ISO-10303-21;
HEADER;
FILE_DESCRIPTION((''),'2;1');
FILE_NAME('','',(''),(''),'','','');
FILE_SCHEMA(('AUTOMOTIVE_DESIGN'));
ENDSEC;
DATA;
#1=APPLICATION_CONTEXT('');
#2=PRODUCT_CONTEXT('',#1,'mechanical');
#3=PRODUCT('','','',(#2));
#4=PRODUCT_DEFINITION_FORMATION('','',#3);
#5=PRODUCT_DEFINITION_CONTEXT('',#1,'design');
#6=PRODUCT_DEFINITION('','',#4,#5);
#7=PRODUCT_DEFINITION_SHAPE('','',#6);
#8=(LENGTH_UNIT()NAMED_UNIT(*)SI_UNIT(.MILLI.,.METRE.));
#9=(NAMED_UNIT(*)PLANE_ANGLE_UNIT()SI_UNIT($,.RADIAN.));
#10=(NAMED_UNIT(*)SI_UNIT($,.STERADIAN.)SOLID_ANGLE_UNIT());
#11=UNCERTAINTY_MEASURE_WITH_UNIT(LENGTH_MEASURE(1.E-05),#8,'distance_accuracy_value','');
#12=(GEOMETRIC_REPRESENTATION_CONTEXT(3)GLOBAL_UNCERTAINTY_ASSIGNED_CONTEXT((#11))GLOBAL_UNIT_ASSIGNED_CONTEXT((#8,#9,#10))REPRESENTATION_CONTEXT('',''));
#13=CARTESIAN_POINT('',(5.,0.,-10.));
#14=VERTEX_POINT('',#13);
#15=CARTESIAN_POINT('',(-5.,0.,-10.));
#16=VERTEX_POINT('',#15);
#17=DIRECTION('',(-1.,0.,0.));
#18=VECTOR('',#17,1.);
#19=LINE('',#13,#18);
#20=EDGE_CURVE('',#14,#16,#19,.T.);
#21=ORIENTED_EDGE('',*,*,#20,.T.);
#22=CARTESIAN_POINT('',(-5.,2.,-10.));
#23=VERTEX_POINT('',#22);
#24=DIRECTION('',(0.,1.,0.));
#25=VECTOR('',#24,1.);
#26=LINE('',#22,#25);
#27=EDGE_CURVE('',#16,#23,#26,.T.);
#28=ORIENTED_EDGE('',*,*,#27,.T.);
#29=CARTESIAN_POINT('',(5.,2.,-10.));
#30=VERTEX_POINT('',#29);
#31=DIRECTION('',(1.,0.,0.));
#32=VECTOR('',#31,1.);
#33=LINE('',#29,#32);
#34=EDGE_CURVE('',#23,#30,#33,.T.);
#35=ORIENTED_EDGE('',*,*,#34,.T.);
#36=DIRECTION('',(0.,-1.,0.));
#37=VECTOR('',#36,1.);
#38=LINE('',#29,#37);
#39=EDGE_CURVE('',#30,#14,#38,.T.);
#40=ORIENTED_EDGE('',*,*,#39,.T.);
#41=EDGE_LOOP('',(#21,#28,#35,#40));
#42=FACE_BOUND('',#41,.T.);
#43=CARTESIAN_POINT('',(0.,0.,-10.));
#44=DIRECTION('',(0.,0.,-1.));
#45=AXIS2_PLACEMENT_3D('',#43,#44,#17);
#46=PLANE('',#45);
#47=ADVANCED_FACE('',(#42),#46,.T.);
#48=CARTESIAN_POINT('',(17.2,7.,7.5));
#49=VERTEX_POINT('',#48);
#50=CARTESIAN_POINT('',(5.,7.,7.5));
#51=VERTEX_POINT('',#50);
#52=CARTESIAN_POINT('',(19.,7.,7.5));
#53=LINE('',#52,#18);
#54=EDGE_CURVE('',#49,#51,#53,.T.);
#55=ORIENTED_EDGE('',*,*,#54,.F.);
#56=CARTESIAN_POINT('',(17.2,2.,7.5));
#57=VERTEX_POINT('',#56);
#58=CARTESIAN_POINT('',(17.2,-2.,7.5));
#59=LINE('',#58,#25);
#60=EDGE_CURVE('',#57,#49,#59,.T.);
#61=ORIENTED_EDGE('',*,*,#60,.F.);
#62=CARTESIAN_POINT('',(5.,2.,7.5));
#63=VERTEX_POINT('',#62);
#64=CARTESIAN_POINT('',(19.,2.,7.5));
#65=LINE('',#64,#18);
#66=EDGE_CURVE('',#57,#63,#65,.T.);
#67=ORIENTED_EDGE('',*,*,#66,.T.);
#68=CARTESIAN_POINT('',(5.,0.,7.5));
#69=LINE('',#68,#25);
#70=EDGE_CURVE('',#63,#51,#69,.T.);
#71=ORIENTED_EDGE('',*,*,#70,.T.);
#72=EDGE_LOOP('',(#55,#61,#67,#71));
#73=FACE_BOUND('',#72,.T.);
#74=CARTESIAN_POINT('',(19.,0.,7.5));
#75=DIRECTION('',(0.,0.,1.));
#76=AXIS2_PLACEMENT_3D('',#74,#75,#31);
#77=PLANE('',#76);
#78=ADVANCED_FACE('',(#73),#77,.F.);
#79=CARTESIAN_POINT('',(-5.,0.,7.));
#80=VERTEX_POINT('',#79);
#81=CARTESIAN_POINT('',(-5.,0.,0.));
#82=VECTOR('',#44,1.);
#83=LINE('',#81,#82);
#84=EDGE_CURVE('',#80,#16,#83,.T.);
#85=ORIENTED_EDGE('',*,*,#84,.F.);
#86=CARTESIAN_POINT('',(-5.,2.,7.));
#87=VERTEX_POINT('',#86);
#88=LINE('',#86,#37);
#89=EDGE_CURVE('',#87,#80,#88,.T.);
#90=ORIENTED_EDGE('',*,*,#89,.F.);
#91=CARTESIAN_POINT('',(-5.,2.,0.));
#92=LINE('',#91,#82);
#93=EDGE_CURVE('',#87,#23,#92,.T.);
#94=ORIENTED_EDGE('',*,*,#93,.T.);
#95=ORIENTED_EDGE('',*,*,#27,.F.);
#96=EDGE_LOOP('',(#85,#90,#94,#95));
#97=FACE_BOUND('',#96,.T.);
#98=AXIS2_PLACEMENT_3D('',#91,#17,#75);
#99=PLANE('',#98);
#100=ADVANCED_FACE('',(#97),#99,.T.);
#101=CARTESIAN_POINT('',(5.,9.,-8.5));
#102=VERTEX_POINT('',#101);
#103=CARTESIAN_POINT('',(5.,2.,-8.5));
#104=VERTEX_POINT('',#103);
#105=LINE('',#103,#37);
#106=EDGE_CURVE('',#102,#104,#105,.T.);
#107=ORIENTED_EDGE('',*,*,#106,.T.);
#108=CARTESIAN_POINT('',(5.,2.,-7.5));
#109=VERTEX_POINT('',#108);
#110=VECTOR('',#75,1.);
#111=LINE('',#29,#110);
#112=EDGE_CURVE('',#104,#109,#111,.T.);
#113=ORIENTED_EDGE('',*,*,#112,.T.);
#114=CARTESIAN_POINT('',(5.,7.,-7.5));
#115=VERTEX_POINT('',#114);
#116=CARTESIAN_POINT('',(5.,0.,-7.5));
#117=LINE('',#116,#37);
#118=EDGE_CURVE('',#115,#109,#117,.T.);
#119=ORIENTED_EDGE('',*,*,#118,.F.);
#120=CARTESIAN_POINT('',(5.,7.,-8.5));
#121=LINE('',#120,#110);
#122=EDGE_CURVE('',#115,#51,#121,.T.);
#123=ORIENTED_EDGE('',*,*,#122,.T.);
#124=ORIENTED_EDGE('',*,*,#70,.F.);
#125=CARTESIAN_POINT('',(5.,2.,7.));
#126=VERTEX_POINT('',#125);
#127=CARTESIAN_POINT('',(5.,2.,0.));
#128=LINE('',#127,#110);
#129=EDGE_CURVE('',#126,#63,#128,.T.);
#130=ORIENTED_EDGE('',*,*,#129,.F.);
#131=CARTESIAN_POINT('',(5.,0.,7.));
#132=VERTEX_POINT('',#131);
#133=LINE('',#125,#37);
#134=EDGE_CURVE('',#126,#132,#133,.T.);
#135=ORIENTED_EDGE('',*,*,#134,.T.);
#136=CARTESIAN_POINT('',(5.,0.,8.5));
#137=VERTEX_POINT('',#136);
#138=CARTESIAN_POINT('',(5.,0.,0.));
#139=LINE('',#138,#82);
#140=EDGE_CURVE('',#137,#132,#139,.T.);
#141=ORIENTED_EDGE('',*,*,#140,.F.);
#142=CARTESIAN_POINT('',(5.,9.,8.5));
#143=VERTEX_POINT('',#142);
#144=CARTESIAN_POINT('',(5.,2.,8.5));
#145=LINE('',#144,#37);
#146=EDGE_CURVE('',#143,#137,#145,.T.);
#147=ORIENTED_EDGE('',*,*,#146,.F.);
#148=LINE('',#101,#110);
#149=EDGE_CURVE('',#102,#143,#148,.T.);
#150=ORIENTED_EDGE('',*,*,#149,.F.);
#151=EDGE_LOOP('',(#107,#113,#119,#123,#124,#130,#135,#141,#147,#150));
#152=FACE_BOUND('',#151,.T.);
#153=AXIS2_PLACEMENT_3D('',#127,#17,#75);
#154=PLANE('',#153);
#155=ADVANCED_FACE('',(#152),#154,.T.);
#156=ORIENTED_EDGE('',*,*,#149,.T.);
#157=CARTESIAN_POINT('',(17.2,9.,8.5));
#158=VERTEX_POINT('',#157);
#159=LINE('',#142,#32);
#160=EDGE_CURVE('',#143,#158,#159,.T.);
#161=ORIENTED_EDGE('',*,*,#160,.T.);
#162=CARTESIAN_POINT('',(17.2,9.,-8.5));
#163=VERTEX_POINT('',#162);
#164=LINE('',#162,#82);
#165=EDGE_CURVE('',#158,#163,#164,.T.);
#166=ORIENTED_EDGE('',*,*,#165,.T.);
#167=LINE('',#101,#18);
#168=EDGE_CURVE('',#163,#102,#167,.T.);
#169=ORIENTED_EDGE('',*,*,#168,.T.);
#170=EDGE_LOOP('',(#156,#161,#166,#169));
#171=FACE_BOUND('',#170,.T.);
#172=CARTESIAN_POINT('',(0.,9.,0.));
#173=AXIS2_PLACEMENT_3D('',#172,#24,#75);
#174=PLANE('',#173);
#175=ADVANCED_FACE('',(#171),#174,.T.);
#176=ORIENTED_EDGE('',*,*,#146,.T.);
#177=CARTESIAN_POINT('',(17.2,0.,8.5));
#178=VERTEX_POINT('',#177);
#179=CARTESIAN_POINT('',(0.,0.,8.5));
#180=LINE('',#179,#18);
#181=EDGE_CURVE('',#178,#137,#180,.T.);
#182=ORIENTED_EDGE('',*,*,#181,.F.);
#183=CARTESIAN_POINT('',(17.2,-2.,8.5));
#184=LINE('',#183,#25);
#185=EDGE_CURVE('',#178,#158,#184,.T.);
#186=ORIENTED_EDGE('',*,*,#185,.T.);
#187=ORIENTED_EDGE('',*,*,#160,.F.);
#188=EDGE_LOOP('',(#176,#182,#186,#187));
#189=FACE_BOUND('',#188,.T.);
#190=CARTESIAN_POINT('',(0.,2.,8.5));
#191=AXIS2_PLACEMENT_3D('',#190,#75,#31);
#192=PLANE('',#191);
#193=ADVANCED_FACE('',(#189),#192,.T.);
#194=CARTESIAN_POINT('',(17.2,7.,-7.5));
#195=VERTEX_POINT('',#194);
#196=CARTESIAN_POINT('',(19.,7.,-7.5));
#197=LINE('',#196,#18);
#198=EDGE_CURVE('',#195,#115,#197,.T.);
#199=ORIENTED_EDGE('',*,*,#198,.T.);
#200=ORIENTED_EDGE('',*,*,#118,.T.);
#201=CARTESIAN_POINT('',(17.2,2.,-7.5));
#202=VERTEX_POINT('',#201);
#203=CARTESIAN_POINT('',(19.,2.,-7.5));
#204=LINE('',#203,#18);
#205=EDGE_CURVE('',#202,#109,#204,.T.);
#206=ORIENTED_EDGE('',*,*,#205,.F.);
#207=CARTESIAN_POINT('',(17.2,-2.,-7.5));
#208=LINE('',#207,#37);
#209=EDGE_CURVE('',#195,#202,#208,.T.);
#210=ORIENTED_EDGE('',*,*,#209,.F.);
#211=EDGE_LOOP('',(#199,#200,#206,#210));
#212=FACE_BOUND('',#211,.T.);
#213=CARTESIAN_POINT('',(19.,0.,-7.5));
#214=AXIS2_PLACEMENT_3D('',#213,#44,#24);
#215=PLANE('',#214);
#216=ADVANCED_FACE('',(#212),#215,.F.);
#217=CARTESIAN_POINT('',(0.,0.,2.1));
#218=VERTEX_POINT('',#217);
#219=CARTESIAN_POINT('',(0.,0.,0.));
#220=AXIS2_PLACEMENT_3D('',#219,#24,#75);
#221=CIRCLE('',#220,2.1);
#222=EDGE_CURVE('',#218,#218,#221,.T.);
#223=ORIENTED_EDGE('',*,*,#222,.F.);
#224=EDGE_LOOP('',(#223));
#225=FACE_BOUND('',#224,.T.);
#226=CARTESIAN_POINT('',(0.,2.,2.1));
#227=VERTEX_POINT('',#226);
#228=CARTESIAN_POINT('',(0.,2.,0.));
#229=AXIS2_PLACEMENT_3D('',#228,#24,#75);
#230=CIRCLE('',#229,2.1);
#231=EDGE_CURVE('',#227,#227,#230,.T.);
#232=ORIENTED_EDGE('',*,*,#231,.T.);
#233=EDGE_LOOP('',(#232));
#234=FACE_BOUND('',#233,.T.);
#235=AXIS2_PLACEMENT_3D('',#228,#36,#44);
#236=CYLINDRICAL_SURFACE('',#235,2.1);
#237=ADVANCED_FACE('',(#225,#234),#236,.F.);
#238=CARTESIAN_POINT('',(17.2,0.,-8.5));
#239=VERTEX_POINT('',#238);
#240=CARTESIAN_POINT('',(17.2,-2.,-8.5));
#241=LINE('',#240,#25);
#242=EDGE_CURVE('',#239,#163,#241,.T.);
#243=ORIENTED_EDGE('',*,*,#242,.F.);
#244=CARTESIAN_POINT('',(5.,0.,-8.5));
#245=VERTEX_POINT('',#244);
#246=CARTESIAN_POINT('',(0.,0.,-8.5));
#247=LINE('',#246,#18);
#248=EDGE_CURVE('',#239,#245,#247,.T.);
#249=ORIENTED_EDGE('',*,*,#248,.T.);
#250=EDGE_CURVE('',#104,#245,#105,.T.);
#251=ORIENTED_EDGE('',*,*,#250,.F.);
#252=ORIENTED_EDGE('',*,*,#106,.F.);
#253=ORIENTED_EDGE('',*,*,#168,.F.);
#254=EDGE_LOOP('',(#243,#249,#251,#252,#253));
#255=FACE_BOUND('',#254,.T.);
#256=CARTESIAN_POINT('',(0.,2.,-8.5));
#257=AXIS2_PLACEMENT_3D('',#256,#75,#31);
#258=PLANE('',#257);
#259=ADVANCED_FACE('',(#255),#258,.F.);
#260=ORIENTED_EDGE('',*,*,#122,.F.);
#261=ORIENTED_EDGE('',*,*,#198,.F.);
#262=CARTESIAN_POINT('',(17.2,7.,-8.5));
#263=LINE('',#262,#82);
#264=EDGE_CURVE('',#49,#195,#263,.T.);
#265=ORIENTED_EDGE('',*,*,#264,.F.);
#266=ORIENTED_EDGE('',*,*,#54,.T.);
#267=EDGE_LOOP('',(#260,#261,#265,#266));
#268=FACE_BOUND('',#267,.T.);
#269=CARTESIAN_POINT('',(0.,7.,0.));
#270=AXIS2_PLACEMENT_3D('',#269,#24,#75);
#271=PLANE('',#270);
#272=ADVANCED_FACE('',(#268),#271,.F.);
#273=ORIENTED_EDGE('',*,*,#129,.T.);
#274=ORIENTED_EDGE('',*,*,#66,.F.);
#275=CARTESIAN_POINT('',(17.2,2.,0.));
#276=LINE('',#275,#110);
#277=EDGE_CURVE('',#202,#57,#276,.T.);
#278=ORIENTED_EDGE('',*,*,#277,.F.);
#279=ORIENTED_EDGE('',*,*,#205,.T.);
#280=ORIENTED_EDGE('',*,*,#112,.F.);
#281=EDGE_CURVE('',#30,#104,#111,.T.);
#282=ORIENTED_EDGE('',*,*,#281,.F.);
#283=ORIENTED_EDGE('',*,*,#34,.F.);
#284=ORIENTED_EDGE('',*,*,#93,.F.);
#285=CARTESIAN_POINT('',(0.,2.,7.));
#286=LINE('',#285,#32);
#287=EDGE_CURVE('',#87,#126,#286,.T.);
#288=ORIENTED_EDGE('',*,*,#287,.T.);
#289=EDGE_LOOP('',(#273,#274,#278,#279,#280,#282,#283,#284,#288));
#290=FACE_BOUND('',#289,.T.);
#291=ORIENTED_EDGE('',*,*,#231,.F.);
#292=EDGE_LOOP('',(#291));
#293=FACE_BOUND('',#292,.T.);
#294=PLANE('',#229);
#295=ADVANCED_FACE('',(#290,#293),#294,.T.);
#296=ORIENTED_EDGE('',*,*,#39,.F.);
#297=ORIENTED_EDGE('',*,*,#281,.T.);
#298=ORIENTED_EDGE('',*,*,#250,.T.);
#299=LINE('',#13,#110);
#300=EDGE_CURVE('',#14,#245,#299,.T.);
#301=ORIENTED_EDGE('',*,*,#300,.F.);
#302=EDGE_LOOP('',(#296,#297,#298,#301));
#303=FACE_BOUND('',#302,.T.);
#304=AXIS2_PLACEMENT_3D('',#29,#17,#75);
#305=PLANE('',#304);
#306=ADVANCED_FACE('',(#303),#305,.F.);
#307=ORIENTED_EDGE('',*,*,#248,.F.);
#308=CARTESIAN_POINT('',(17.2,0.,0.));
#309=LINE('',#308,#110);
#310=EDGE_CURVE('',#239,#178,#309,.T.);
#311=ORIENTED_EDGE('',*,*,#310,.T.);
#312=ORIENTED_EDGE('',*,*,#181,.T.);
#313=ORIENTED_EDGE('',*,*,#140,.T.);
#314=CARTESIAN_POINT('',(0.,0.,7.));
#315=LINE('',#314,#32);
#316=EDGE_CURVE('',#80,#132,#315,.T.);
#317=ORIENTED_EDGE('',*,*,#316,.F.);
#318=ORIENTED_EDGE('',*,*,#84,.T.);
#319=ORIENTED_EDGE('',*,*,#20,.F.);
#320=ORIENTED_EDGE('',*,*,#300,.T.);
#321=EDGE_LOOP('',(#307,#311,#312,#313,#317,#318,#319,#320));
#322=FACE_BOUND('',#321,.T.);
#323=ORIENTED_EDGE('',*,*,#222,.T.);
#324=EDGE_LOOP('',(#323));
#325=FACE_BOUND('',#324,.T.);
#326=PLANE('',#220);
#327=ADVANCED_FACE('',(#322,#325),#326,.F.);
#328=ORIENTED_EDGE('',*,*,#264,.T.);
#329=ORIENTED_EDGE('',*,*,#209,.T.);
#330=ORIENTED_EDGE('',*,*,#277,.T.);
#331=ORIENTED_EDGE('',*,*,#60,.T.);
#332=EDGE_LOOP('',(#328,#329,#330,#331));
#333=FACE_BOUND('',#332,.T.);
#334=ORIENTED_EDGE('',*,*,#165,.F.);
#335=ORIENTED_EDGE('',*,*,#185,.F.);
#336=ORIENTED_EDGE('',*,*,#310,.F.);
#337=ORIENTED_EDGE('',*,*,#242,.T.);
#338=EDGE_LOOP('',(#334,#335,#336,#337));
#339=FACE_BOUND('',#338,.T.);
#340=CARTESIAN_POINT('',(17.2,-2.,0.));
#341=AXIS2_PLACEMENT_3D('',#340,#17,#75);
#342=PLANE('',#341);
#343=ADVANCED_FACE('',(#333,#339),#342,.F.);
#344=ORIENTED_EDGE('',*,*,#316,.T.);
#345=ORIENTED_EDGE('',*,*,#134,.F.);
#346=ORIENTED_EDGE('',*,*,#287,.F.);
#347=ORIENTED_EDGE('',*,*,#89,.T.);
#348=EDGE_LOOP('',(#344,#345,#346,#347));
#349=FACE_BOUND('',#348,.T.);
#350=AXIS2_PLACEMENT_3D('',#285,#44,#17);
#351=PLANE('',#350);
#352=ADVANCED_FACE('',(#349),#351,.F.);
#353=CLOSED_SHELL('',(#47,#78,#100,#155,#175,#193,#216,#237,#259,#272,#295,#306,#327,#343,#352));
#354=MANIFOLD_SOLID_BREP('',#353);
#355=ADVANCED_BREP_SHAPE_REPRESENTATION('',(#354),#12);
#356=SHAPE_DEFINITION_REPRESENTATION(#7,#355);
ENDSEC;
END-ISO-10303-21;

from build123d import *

# Parameters (mm, degrees)
SKETCH1_W           = 10
SKETCH1_H           = 14
SKETCH1_R           = 2.1
BOSS_EXTRUDE1_DEPTH = 2
SKETCH2_W           = 1.8
SKETCH2_H           = 13.4
BOSS_EXTRUDE2_DEPTH = 5
SKETCH3_W           = 1.8
SKETCH3_H           = 1.8
CUT_EXTRUDE1_DEPTH  = 9
SKETCH5_W           = 12.2
SKETCH5_H           = 17
BOSS_EXTRUDE4_DEPTH = 2
SKETCH6_W           = 14
SKETCH6_H           = 5
SKETCH6_W_2         = 0.5
CUT_EXTRUDE2_DEPTH  = 14
SKETCH7_W           = 10
SKETCH7_H           = 2
BOSS_EXTRUDE5_DEPTH = 3


with BuildPart() as part:
    # Sketch1 → Boss-Extrude1 (new body)
    with BuildSketch(Plane(origin=(0, 0, 0), x_dir=(1, 0, 0), z_dir=(0, 1, 0))):
        Rectangle(SKETCH1_W, SKETCH1_H)
        Circle(SKETCH1_R, mode=Mode.SUBTRACT)
        Polygon((5, 7), (5, -7), (5, -8.5), (19, -8.5), (19, 8.5), (5, 8.5), align=None)
    extrude(amount=BOSS_EXTRUDE1_DEPTH)

    # Sketch2 → Boss-Extrude2 (add)
    with BuildSketch(Plane(origin=(0, 2, 0), x_dir=(1, 0, 0), z_dir=(0, 1, 0))):
        Polygon((17.2, 6.7), (19, 6.7), (19, 8.5), (5, 8.5), (5, 7), (5, 6.7), align=None)
        with Locations((18.1, 0)):
            Rectangle(SKETCH2_W, SKETCH2_H)
        Polygon((5, -7), (5, -8.5), (19, -8.5), (19, -6.7), (17.2, -6.7), (5, -6.7), align=None)
    extrude(amount=BOSS_EXTRUDE2_DEPTH)

    # Sketch3 → Cut-Extrude1 (cut)
    with BuildSketch(Plane(origin=(0, 7, 0), x_dir=(1, 0, 0), z_dir=(0, 1, 0))):
        Polygon((19, -6.7), (19, 8.5), (17.2, 8.5), (17.2, 6.7), (17.2, -6.7), align=None)
        with Locations((18.1, -7.6)):
            Rectangle(SKETCH3_W, SKETCH3_H)
    extrude(amount=-CUT_EXTRUDE1_DEPTH, mode=Mode.SUBTRACT)

    # Sketch5 → Boss-Extrude4 (add)
    with BuildSketch(Plane(origin=(0, 7, 0), x_dir=(1, 0, 0), z_dir=(0, 1, 0))):
        with Locations((11.1, 0)):
            Rectangle(SKETCH5_W, SKETCH5_H)
    extrude(amount=BOSS_EXTRUDE4_DEPTH)

    # Sketch6 → Cut-Extrude2 (cut)
    with BuildSketch(Plane.ZY.offset(-5)):
        with Locations((0, 4.5)):
            Rectangle(SKETCH6_W, SKETCH6_H)
        with Locations((-7.25, 4.5)):
            Rectangle(SKETCH6_W_2, SKETCH6_H)
        with Locations((7.25, 4.5)):
            Rectangle(SKETCH6_W_2, SKETCH6_H)
    extrude(amount=-CUT_EXTRUDE2_DEPTH, mode=Mode.SUBTRACT)

    # Sketch7 → Boss-Extrude5 (add)
    with BuildSketch(Plane(origin=(0, 0, -7), x_dir=(-1, 0, 0), z_dir=(0, 0, -1))):
        with Locations((0, 1)):
            Rectangle(SKETCH7_W, SKETCH7_H)
    extrude(amount=BOSS_EXTRUDE5_DEPTH)


solid = part.part
